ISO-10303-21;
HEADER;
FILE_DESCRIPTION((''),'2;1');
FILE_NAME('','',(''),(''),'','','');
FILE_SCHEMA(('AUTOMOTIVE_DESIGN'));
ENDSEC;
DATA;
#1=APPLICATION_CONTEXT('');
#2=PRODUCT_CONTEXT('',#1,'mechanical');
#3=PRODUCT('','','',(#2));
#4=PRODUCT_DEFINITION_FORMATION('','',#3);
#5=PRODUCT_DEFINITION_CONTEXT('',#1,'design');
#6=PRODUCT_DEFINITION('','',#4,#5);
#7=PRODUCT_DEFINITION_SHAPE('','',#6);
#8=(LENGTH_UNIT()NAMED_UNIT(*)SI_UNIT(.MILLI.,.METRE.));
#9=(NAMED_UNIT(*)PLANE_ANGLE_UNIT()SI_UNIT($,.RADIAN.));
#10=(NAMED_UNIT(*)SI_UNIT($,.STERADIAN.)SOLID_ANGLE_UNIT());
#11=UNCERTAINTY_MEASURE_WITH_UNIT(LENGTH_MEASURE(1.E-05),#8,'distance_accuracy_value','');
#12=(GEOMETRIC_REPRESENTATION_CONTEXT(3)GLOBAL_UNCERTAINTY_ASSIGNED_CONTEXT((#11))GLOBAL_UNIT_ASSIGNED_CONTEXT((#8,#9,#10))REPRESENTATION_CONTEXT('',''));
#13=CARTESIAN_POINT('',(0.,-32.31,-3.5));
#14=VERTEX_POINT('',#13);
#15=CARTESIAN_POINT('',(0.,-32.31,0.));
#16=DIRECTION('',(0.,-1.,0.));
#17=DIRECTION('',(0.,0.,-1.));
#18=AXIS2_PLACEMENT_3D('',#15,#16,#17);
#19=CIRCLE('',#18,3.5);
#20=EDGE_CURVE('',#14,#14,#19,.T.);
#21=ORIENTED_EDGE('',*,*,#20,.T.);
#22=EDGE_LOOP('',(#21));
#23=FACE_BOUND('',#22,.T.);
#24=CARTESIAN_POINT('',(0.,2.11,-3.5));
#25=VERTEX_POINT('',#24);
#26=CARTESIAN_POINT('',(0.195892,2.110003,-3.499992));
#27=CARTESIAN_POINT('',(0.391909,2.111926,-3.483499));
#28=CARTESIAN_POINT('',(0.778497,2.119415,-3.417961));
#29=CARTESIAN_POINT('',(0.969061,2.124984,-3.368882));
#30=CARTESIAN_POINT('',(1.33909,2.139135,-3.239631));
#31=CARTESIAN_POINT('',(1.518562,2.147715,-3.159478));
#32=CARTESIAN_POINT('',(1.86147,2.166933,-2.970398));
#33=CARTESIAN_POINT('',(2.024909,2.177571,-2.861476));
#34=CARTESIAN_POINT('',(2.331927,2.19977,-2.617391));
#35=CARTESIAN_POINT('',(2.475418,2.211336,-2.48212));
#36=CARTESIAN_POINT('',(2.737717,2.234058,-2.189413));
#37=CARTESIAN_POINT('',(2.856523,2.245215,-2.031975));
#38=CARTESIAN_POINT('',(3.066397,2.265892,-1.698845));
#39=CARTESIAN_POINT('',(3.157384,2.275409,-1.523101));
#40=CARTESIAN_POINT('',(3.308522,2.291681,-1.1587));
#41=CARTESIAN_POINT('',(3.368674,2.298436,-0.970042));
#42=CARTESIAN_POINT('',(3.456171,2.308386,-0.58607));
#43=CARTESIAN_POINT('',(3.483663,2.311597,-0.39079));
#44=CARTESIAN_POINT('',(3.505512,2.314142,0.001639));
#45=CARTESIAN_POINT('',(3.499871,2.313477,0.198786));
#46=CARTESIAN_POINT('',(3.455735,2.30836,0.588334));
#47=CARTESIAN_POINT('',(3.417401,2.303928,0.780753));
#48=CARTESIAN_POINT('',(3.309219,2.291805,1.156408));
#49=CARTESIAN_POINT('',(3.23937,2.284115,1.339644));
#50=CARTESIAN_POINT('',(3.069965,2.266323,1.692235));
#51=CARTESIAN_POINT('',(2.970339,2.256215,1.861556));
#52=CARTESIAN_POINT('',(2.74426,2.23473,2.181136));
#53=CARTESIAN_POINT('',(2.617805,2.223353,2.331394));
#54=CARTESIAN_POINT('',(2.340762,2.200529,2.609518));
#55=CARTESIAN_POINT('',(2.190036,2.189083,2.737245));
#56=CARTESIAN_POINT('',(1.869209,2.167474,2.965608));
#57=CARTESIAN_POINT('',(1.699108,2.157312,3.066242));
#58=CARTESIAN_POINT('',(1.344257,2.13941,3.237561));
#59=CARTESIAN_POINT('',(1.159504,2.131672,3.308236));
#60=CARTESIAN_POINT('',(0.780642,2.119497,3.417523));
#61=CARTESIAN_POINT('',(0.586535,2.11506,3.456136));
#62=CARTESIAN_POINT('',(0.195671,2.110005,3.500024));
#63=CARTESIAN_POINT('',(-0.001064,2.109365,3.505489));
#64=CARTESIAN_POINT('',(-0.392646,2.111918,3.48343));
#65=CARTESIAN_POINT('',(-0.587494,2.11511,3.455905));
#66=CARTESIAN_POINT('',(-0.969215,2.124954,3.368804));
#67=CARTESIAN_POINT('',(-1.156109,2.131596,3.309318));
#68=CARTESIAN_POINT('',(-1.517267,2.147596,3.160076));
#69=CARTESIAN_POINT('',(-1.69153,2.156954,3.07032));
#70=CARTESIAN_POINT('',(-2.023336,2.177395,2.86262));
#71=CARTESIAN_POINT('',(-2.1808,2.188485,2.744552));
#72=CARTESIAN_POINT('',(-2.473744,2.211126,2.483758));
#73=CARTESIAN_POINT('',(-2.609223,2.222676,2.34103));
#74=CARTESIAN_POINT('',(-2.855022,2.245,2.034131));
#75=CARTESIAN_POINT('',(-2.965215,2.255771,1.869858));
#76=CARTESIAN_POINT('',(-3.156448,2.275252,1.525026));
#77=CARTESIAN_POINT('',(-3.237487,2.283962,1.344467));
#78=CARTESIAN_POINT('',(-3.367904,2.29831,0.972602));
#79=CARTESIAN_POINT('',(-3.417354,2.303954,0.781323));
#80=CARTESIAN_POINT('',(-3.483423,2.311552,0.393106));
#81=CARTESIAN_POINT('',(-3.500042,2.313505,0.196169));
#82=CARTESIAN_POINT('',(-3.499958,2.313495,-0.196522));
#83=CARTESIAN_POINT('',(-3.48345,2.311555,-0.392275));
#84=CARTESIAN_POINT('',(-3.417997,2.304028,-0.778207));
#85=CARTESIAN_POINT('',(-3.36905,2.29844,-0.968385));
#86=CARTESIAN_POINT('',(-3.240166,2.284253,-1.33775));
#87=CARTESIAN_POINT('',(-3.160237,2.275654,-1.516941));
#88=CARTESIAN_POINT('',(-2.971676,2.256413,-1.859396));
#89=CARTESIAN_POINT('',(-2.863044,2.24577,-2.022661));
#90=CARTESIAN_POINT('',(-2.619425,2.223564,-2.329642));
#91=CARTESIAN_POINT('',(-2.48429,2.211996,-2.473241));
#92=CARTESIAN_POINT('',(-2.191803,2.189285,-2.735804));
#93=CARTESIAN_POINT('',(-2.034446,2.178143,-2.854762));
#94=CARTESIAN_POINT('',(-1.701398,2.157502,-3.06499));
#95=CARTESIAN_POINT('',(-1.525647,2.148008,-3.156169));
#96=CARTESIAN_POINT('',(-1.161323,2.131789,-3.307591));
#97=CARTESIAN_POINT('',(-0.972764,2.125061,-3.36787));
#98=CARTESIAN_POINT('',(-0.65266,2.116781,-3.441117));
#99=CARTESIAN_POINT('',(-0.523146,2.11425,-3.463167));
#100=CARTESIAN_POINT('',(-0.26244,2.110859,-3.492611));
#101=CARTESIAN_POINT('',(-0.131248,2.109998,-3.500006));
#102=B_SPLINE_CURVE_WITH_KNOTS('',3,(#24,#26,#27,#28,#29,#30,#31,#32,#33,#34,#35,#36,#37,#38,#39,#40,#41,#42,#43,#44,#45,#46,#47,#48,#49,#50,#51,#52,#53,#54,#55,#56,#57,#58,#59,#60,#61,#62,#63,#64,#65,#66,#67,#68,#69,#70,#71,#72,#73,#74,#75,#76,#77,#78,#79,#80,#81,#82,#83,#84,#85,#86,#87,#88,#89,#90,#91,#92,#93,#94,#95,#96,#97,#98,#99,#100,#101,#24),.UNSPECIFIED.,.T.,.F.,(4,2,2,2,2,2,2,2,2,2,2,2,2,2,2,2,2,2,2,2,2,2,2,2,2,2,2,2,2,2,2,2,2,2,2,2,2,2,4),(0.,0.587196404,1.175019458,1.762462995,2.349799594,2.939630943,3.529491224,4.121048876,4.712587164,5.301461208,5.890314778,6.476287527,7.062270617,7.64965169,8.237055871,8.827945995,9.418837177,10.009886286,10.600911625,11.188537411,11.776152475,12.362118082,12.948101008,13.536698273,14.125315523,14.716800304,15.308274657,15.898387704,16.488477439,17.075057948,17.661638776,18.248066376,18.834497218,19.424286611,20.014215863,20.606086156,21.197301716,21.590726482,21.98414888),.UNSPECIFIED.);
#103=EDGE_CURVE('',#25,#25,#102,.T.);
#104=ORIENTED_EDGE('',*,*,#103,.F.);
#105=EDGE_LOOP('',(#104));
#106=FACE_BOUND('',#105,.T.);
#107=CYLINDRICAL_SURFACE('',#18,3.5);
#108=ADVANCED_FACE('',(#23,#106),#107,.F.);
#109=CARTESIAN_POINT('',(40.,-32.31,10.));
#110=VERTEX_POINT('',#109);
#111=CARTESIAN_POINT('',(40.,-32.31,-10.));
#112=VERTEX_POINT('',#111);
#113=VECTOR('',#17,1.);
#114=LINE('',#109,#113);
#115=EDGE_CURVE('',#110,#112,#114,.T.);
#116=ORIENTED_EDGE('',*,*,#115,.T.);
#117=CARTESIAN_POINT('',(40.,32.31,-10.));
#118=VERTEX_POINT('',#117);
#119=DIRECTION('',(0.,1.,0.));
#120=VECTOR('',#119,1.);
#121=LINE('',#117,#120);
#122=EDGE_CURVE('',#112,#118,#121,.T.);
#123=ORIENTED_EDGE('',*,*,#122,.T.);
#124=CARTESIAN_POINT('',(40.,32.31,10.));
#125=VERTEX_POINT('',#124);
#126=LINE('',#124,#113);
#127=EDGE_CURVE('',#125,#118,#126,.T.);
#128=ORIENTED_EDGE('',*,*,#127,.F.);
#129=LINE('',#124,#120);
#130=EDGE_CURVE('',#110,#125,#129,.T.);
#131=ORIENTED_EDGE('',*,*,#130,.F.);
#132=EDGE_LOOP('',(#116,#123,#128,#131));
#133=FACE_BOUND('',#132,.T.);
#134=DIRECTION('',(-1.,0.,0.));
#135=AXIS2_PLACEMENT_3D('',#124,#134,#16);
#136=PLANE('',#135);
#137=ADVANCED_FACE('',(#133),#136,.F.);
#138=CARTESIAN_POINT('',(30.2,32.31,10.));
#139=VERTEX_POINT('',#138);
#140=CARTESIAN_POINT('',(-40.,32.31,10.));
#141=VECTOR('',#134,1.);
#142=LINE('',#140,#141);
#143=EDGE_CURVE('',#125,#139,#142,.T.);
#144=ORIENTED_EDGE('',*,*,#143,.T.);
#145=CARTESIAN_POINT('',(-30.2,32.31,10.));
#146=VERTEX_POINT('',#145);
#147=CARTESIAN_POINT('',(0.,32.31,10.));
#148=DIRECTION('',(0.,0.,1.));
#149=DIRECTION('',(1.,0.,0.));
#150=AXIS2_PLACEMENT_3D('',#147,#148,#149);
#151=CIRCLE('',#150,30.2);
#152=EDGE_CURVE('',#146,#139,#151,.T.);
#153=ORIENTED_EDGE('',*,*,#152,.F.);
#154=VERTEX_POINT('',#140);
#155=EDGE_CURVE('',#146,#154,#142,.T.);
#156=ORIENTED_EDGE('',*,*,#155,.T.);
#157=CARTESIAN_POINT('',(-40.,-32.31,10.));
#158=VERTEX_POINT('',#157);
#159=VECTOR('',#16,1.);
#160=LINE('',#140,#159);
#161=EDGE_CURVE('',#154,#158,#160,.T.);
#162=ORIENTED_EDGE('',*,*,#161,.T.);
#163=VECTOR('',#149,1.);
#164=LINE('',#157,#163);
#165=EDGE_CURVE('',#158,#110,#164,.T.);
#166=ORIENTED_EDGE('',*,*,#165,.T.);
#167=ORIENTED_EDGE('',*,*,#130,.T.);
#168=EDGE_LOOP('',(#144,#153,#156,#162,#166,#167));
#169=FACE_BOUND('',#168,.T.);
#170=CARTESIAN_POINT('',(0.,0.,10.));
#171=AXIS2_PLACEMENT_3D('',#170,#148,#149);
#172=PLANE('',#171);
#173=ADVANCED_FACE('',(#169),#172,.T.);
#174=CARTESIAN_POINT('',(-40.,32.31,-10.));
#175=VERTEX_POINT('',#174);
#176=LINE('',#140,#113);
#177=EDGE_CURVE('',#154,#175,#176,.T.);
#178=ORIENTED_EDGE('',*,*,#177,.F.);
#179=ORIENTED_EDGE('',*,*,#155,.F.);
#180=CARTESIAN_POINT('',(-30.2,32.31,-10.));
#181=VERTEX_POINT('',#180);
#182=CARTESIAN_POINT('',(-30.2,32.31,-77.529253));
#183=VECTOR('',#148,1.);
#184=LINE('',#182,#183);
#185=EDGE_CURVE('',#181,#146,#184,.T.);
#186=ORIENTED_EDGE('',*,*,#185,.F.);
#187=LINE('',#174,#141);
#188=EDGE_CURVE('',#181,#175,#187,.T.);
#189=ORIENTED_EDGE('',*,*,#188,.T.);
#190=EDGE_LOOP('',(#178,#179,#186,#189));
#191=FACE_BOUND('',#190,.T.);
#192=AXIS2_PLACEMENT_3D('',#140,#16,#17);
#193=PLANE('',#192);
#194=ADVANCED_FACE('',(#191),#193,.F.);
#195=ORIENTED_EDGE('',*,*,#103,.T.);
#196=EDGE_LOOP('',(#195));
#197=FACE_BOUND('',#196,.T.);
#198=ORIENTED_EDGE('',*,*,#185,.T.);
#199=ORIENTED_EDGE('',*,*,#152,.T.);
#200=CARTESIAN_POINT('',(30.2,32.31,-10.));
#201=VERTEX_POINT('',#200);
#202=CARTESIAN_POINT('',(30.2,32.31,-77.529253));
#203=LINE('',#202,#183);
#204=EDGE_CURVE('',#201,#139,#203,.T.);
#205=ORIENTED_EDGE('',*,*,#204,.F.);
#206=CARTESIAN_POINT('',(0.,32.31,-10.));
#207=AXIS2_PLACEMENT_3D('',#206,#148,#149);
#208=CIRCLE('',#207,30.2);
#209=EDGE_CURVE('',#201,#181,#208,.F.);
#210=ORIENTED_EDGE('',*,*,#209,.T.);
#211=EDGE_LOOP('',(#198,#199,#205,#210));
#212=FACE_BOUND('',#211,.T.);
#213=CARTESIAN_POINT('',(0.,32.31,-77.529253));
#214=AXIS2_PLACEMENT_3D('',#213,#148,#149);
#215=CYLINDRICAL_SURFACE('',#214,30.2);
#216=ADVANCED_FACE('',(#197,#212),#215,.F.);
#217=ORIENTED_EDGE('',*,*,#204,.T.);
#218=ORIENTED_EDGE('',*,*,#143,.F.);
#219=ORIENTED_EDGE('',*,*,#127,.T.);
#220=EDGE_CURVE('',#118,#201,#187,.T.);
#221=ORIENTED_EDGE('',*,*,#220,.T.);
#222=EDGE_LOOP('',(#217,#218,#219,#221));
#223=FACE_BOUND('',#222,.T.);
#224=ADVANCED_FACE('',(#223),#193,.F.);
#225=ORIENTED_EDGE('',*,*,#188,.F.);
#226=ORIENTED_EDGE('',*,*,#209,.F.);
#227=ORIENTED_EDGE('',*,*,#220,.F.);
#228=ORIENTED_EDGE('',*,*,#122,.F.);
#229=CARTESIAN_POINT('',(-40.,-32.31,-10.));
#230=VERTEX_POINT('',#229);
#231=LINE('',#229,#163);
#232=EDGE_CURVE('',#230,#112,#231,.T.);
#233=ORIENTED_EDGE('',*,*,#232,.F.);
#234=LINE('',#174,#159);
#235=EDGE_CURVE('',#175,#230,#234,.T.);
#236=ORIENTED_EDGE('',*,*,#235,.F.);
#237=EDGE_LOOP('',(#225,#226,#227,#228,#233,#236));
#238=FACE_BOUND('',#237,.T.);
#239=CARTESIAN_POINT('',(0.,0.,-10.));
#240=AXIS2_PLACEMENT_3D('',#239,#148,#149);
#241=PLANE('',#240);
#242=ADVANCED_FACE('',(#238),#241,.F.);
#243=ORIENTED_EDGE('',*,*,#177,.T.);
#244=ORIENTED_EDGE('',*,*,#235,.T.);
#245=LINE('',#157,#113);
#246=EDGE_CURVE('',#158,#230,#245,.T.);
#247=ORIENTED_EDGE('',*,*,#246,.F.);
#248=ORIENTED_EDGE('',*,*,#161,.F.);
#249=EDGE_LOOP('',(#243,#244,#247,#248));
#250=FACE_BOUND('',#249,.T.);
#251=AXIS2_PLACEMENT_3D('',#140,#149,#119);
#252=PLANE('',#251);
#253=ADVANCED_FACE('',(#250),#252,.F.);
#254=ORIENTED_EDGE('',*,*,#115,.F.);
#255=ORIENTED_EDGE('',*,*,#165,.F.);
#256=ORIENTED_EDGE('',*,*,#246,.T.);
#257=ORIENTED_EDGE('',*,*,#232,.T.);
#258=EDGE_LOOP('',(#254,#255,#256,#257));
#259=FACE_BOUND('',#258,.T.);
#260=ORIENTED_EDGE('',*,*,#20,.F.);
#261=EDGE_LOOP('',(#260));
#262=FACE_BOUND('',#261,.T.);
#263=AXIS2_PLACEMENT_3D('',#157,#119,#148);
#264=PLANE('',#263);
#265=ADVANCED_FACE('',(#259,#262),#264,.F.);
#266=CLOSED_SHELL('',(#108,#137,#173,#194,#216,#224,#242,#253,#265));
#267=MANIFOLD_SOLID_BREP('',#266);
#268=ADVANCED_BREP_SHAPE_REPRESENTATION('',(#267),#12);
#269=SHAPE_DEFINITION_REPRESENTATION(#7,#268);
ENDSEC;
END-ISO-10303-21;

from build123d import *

# Parameters (mm, degrees)
SKETCH1_W            = 80
SKETCH1_H            = 64.62
BOSS_EXTRUDE1_DEPTH  = 10
CUT_EXTRUDE1_DEPTH   = 20
M6_CLEARANCE_HOLE1_D = 7


with BuildPart() as part:
    # Sketch1 → Boss-Extrude1 (new body, symmetric)
    with BuildSketch(Plane.XY):
        Rectangle(SKETCH1_W, SKETCH1_H)
    extrude(amount=BOSS_EXTRUDE1_DEPTH, both=True)

    # Sketch2 → Cut-Extrude1 (cut)
    with BuildSketch(Plane.XY.offset(10)):
        with BuildLine():
            Line((-30.2, 32.31), (30.2, 32.31))
            ThreePointArc((30.2, 32.31), (0, 2.11), (-30.2, 32.31))
        make_face()
    extrude(amount=-CUT_EXTRUDE1_DEPTH, mode=Mode.SUBTRACT)

    # M6 Clearance Hole1 (through all)
    with Locations(Plane(origin=(0, -32.31, 0), x_dir=(-1, 0, 0), z_dir=(0, -1, 0))):
        with Locations((0, 0)):
            Hole(M6_CLEARANCE_HOLE1_D / 2)


solid = part.part
